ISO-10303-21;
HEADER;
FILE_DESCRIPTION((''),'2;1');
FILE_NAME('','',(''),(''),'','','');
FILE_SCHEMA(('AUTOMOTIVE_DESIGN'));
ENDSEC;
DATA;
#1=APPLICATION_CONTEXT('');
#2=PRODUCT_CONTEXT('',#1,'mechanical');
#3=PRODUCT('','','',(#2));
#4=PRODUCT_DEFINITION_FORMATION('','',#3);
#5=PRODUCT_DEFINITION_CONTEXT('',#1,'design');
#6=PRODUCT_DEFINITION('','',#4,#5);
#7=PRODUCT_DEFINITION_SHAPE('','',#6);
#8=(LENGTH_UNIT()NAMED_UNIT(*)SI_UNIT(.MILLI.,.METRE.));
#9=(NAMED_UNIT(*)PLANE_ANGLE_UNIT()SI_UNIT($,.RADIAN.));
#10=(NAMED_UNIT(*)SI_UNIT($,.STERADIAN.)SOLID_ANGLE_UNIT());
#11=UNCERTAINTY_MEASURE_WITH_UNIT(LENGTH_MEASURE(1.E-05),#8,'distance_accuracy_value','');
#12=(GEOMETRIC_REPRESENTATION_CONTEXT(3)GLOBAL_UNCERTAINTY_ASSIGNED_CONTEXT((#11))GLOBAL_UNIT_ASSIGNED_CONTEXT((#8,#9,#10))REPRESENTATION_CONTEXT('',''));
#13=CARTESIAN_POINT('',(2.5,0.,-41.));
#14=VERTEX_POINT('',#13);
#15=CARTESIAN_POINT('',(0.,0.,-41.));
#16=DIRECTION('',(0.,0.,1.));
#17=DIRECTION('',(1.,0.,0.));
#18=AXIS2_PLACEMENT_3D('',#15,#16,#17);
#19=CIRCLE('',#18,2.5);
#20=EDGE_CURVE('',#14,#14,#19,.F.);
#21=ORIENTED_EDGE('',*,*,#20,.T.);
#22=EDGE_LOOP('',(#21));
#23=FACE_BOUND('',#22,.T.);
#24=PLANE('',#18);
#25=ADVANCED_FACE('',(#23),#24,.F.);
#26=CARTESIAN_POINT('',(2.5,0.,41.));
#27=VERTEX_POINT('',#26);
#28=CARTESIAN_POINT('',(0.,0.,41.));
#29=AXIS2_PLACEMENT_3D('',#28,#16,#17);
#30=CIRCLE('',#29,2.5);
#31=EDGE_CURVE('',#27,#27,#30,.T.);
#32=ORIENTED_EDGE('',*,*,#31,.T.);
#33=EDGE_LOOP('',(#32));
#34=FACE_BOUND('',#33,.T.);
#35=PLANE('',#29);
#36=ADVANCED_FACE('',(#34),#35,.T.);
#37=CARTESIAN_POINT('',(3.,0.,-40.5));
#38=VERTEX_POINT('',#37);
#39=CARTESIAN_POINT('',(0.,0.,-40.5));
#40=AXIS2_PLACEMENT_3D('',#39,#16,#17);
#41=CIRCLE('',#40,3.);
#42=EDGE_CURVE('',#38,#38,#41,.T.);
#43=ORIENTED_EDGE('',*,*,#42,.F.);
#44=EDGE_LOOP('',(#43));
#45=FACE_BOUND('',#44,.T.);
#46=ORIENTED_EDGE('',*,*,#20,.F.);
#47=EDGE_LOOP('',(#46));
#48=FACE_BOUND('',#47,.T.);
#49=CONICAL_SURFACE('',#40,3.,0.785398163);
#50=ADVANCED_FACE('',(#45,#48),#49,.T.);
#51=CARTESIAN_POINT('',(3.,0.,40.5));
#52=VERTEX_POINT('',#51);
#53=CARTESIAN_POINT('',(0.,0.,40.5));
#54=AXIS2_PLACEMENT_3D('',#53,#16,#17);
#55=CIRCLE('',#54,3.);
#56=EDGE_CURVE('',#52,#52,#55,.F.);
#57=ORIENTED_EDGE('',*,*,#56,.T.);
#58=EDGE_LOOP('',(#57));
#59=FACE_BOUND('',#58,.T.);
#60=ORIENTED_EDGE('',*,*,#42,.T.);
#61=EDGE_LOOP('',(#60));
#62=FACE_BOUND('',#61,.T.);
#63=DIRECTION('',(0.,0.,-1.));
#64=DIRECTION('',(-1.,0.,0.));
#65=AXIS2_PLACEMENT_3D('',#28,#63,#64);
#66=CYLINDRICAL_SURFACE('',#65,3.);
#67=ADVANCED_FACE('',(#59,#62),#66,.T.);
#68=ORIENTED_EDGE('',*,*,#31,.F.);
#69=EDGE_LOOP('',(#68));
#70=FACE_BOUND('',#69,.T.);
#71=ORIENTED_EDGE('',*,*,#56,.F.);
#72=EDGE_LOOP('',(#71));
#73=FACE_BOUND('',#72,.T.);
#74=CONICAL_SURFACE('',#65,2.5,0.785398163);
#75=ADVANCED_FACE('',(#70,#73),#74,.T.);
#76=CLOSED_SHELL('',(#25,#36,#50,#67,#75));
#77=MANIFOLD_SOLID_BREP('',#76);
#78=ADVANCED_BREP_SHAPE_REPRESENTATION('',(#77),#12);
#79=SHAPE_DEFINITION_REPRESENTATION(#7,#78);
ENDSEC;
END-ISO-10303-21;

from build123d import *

# Parameters (mm, degrees)
SKETCH1_R              = 3
SHAFT_DEPTH            = 41
F_0_5X45_CHAMFERS_SIZE = 0.5


with BuildPart() as part:
    # Sketch1 → Shaft (new body, symmetric)
    with BuildSketch(Plane.XY):
        Circle(SKETCH1_R)
    extrude(amount=SHAFT_DEPTH, both=True)

    # 0.5x45 Chamfers
    f_0_5x45_chamfers_edges = [part.edges().sort_by_distance(p)[0] for p in [
        (-3, 0, -41),
        (-3, 0, 41),
    ]]
    chamfer(f_0_5x45_chamfers_edges, length=F_0_5X45_CHAMFERS_SIZE)


solid = part.part
